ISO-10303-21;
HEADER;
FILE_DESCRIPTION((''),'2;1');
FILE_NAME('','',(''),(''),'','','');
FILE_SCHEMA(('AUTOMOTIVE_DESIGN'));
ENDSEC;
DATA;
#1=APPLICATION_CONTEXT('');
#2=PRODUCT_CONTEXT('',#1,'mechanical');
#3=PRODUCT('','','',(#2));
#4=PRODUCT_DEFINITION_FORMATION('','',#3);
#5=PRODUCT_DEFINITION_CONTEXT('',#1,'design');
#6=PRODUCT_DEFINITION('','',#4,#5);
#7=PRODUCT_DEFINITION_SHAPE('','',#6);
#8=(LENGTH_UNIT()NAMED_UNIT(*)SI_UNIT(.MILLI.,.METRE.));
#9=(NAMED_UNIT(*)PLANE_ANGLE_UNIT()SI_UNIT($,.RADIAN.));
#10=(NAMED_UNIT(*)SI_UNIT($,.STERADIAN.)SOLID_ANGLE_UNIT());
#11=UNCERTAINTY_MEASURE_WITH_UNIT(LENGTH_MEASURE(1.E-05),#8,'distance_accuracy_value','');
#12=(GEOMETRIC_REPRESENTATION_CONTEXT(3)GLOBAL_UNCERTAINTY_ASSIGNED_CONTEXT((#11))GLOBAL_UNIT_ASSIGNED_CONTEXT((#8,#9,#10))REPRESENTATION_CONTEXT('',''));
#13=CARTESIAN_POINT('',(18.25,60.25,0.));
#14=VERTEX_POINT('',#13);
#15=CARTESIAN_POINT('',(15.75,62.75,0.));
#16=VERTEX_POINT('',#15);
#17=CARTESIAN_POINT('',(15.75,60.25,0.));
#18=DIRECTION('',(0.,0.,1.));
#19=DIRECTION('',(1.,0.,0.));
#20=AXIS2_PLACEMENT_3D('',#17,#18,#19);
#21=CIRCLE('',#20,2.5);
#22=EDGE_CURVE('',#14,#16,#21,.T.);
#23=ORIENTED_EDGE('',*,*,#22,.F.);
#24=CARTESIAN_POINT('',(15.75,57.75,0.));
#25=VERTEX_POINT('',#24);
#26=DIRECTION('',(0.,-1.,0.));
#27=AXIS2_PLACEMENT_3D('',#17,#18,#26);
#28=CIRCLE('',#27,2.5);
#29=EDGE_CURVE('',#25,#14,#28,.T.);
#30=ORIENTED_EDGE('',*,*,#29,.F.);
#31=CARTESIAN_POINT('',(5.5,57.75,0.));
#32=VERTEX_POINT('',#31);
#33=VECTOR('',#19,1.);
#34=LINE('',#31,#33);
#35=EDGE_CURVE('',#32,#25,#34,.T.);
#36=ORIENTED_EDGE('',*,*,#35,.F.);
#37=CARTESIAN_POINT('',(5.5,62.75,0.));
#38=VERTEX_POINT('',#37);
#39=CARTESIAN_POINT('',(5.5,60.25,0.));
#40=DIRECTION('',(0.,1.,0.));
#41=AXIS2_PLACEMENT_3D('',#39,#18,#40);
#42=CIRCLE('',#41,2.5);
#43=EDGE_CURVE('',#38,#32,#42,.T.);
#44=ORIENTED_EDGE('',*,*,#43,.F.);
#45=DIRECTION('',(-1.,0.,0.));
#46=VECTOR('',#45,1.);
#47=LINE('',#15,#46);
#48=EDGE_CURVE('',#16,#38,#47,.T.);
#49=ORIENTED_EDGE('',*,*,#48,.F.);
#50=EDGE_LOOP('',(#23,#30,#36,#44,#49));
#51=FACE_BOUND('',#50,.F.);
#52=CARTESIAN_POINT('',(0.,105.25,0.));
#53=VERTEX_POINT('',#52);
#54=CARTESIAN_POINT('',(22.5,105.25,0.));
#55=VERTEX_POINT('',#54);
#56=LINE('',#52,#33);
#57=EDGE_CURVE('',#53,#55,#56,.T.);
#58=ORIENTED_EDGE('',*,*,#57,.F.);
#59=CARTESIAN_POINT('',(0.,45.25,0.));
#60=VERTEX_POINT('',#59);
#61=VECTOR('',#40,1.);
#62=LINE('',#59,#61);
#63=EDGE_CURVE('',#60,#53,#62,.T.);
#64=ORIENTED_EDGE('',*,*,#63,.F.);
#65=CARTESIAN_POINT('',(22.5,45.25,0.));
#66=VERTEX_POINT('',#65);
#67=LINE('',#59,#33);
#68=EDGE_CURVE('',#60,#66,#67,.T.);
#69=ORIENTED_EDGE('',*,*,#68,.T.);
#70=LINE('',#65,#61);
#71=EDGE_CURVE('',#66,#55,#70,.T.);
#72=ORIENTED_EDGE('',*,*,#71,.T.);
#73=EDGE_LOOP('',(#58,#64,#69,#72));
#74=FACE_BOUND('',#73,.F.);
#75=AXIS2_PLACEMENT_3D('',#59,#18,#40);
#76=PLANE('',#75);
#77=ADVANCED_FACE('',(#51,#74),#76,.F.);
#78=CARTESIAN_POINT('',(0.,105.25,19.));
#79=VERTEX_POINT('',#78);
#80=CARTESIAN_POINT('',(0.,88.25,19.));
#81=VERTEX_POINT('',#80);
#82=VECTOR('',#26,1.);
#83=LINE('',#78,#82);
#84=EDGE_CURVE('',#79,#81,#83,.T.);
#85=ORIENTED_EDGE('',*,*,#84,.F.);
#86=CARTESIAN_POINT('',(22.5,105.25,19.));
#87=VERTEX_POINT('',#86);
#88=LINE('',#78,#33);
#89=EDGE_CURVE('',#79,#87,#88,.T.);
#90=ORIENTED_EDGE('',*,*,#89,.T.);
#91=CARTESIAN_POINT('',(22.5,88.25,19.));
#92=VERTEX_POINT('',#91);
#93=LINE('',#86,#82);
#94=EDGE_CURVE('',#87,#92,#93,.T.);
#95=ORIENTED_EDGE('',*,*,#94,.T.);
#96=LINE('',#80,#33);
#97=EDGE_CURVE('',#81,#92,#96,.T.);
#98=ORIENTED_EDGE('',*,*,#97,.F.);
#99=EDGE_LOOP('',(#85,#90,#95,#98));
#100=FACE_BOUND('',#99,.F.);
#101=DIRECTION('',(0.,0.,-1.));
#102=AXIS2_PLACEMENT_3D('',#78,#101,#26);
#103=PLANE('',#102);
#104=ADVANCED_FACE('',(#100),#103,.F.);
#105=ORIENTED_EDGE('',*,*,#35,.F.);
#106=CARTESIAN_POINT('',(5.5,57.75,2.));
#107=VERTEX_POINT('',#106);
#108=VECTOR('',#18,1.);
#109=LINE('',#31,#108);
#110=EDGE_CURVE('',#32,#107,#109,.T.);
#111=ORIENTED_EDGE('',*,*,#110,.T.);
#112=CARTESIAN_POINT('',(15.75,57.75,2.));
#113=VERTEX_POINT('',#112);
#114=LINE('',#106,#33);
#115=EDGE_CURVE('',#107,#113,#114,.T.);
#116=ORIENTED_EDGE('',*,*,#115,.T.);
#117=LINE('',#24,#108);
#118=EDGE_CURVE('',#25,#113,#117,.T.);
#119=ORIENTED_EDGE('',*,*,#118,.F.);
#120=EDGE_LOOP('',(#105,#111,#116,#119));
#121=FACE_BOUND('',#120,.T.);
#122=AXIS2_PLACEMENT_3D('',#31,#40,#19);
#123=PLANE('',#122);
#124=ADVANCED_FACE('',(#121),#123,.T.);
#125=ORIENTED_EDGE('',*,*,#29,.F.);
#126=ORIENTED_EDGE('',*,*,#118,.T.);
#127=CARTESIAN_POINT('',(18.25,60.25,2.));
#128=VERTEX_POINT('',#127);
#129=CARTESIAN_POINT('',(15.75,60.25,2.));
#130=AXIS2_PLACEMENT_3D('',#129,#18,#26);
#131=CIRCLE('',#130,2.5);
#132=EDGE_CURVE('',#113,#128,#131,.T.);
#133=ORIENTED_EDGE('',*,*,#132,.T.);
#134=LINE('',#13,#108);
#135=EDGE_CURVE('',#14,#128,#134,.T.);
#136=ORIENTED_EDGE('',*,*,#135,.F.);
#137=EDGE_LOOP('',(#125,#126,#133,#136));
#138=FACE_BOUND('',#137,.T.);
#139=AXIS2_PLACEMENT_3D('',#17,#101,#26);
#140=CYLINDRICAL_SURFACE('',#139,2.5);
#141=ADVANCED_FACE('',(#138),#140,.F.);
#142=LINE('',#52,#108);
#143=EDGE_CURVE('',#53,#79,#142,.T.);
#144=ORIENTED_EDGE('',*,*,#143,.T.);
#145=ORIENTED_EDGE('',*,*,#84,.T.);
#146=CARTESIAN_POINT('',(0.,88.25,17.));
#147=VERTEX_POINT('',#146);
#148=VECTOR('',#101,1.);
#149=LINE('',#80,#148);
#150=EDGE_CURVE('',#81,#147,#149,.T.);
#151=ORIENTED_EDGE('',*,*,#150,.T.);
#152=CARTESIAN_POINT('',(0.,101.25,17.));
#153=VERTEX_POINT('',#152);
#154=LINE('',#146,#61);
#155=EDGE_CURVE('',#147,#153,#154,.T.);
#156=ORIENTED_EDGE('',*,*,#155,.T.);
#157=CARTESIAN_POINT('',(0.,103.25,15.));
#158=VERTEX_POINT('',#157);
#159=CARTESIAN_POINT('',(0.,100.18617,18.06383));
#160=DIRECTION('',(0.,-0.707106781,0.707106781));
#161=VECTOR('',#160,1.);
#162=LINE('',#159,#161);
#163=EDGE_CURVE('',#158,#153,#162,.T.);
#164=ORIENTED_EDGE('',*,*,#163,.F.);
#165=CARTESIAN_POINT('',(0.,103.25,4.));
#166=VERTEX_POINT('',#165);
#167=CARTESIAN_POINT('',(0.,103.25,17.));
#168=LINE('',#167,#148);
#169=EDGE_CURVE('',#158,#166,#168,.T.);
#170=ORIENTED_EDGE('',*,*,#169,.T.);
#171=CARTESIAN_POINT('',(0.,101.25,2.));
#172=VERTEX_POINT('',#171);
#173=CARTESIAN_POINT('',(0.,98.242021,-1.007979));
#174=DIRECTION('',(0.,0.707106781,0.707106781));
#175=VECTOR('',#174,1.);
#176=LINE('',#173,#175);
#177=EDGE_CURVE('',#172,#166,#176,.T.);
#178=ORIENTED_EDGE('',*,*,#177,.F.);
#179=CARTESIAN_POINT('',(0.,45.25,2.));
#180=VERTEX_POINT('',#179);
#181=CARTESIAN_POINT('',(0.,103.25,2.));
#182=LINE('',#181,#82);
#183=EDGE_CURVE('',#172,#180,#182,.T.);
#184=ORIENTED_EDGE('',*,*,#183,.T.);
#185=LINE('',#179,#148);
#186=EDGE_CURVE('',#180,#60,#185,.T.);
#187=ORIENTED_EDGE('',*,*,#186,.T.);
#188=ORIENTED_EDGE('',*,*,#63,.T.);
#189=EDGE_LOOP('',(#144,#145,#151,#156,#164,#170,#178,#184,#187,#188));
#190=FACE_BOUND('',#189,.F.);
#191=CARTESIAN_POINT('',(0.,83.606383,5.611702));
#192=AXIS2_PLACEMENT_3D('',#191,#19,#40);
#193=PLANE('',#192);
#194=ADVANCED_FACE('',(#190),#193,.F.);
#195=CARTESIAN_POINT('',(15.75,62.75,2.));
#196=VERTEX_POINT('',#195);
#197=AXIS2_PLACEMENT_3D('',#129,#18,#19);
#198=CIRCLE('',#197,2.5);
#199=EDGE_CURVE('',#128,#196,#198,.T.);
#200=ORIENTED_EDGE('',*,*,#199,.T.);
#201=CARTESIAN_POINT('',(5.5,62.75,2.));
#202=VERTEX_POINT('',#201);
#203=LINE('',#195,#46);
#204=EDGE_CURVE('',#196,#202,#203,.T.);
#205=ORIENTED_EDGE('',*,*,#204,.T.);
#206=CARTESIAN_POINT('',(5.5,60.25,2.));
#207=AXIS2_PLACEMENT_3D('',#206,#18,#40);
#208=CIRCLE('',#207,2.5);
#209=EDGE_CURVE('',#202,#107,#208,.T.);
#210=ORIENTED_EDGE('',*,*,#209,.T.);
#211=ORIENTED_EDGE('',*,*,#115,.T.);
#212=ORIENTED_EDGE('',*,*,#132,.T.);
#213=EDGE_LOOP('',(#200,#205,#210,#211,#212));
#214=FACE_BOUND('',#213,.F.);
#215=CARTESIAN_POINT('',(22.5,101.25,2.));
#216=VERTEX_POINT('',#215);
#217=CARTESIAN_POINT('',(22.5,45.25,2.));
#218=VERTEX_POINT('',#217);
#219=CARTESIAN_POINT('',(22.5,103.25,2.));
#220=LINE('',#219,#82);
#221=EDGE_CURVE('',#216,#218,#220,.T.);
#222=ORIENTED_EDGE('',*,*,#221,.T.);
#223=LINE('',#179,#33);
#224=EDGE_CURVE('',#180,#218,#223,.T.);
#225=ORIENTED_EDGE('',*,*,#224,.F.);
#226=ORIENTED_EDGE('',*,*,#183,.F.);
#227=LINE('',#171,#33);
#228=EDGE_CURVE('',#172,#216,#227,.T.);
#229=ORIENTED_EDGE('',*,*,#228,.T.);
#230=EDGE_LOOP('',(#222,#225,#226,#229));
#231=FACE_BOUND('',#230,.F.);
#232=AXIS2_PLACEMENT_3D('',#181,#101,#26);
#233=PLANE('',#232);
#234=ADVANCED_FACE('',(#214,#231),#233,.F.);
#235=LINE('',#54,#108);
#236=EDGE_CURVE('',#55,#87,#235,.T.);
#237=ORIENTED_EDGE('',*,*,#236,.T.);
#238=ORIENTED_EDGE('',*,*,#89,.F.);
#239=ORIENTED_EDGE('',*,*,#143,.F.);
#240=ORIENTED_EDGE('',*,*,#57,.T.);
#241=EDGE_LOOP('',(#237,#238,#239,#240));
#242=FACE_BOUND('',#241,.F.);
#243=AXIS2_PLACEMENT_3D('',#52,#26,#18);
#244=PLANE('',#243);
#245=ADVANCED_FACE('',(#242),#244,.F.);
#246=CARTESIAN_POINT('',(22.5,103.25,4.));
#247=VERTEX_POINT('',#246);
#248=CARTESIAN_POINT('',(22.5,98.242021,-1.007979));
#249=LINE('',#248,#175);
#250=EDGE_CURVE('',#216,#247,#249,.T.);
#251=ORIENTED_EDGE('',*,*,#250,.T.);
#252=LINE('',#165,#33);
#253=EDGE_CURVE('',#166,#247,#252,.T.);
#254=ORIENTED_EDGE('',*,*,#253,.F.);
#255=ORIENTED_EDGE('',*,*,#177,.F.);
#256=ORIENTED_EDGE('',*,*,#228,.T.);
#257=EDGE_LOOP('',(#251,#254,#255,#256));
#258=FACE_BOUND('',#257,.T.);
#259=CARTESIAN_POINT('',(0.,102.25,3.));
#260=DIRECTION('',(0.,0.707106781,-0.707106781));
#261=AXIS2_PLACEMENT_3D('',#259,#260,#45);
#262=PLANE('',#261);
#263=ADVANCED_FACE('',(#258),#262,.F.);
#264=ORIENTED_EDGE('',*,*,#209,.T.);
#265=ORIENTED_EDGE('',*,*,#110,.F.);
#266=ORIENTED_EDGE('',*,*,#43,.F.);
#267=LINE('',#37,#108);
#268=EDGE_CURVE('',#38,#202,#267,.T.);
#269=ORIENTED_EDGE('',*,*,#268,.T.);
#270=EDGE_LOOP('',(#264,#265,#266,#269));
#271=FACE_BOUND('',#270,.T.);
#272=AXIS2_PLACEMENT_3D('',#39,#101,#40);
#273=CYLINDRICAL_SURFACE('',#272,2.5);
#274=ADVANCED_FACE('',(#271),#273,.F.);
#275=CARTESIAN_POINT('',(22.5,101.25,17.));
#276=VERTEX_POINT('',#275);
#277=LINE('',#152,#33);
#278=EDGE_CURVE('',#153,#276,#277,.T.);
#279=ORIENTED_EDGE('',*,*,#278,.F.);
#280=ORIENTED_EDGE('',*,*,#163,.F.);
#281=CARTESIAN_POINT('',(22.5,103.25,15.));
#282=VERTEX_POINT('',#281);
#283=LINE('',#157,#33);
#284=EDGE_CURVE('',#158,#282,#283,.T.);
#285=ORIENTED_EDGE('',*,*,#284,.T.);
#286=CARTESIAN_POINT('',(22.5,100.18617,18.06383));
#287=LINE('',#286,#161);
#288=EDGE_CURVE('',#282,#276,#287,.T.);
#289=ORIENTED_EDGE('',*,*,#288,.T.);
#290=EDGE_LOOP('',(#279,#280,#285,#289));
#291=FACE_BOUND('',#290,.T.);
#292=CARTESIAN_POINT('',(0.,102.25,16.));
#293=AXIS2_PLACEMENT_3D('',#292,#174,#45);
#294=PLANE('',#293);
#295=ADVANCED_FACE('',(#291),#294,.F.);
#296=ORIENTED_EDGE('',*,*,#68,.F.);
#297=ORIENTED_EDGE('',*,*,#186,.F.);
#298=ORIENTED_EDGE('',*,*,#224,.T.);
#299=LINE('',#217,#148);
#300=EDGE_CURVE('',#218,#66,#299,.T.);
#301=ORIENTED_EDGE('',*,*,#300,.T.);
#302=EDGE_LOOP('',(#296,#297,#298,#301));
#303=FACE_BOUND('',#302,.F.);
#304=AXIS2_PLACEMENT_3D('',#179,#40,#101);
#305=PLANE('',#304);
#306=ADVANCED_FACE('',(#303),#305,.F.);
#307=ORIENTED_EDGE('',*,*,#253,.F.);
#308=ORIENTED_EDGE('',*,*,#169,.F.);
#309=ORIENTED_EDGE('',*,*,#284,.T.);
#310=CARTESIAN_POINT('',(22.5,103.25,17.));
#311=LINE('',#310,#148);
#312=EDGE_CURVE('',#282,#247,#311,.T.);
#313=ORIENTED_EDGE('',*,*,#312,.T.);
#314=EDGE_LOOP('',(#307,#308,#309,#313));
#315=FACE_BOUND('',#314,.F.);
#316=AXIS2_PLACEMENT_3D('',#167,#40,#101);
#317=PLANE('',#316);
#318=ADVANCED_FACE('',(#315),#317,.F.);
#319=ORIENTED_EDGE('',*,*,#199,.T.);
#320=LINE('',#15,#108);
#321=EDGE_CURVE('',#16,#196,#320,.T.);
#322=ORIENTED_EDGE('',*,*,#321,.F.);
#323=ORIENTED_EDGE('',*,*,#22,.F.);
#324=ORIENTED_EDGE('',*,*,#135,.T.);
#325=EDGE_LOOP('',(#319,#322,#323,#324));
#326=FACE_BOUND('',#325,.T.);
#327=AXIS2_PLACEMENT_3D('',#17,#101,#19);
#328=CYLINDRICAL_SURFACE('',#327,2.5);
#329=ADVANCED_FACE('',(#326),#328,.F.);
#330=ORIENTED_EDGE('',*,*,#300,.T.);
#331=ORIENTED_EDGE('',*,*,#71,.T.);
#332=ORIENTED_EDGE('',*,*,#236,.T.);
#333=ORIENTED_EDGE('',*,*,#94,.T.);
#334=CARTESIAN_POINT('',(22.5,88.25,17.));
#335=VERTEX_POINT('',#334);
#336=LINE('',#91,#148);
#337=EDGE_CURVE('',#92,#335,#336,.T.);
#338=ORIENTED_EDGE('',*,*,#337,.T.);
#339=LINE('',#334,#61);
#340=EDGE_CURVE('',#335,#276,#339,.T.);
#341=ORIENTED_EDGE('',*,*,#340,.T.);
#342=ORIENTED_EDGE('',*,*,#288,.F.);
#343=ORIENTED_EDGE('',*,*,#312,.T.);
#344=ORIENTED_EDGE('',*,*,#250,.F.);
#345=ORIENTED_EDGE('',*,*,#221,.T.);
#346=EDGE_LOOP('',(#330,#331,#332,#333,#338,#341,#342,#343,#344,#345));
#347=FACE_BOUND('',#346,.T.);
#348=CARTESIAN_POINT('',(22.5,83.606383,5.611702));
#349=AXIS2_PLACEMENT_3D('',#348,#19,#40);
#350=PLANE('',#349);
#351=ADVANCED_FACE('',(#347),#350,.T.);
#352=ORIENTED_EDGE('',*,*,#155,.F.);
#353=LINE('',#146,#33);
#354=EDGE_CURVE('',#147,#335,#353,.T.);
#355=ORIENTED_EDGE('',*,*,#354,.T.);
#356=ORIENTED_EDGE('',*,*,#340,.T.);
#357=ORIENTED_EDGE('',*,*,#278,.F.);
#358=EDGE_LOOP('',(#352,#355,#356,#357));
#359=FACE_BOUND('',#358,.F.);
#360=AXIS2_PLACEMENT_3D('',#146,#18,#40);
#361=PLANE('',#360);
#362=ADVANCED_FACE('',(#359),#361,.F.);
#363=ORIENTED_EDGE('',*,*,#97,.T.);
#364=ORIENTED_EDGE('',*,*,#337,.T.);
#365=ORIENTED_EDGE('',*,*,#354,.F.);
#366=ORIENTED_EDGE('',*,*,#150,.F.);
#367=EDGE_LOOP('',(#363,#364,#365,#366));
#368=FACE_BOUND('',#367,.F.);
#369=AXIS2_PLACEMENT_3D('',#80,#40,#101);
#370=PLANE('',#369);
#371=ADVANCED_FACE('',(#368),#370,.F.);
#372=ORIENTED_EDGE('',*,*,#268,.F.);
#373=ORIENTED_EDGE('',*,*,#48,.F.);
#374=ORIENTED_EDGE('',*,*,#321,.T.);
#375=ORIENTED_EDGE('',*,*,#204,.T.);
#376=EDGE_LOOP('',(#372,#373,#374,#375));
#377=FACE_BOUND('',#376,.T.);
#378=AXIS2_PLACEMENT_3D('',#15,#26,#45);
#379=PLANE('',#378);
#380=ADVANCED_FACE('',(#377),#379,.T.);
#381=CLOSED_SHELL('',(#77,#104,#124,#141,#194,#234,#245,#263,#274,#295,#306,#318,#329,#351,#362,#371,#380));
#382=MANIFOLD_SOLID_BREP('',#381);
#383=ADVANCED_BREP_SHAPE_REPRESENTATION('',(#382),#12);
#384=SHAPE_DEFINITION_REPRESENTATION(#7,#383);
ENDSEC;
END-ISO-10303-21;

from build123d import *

# Parameters (mm, degrees)
F6_DEPTH = 22.5
F7_DEPTH = 2
F8_SIZE  = 2


with BuildPart() as f6:
    # F5 (on Right) → F6 (new body)
    with BuildSketch(Plane.YZ):
        Polygon((45.25, 2), (45.25, 0), (57.75, 0), (62.75, 0), (105.25, 0), (105.25, 2), (105.25, 17), (105.25, 19), (88.25, 19), (88.25, 17), (103.25, 17), (103.25, 2), align=None)
    extrude(amount=F6_DEPTH)

    # F4 (on Top) → F7 (cut, through all)
    with BuildSketch(Plane.XY):
        with BuildLine():
            ThreePointArc((18.25, 60.25), (17.517766953, 62.017766953), (15.75, 62.75))
            ThreePointArc((15.75, 62.75), (13.25, 60.25), (15.75, 57.75))
            ThreePointArc((15.75, 57.75), (17.517766953, 58.482233047), (18.25, 60.25))
        make_face()
        with BuildLine():
            ThreePointArc((5.5, 62.75), (7.267766953, 62.017766953), (8, 60.25))
            ThreePointArc((8, 60.25), (7.267766953, 58.482233047), (5.5, 57.75))
            Line((5.5, 57.75), (15.75, 57.75))
            ThreePointArc((15.75, 57.75), (13.25, 60.25), (15.75, 62.75))
            Line((15.75, 62.75), (5.5, 62.75))
        make_face()
        with BuildLine():
            ThreePointArc((5.5, 57.75), (7.267766953, 58.482233047), (8, 60.25))
            ThreePointArc((8, 60.25), (7.267766953, 62.017766953), (5.5, 62.75))
            ThreePointArc((5.5, 62.75), (3, 60.25), (5.5, 57.75))
        make_face()
    extrude(amount=F7_DEPTH, mode=Mode.SUBTRACT)

    # F8
    f8_edges = [f6.edges().sort_by_distance(p)[0] for p in [
        (11.25, 103.25, 2),
        (11.25, 103.25, 17),
    ]]
    chamfer(f8_edges, length=F8_SIZE)


solid = f6.part
